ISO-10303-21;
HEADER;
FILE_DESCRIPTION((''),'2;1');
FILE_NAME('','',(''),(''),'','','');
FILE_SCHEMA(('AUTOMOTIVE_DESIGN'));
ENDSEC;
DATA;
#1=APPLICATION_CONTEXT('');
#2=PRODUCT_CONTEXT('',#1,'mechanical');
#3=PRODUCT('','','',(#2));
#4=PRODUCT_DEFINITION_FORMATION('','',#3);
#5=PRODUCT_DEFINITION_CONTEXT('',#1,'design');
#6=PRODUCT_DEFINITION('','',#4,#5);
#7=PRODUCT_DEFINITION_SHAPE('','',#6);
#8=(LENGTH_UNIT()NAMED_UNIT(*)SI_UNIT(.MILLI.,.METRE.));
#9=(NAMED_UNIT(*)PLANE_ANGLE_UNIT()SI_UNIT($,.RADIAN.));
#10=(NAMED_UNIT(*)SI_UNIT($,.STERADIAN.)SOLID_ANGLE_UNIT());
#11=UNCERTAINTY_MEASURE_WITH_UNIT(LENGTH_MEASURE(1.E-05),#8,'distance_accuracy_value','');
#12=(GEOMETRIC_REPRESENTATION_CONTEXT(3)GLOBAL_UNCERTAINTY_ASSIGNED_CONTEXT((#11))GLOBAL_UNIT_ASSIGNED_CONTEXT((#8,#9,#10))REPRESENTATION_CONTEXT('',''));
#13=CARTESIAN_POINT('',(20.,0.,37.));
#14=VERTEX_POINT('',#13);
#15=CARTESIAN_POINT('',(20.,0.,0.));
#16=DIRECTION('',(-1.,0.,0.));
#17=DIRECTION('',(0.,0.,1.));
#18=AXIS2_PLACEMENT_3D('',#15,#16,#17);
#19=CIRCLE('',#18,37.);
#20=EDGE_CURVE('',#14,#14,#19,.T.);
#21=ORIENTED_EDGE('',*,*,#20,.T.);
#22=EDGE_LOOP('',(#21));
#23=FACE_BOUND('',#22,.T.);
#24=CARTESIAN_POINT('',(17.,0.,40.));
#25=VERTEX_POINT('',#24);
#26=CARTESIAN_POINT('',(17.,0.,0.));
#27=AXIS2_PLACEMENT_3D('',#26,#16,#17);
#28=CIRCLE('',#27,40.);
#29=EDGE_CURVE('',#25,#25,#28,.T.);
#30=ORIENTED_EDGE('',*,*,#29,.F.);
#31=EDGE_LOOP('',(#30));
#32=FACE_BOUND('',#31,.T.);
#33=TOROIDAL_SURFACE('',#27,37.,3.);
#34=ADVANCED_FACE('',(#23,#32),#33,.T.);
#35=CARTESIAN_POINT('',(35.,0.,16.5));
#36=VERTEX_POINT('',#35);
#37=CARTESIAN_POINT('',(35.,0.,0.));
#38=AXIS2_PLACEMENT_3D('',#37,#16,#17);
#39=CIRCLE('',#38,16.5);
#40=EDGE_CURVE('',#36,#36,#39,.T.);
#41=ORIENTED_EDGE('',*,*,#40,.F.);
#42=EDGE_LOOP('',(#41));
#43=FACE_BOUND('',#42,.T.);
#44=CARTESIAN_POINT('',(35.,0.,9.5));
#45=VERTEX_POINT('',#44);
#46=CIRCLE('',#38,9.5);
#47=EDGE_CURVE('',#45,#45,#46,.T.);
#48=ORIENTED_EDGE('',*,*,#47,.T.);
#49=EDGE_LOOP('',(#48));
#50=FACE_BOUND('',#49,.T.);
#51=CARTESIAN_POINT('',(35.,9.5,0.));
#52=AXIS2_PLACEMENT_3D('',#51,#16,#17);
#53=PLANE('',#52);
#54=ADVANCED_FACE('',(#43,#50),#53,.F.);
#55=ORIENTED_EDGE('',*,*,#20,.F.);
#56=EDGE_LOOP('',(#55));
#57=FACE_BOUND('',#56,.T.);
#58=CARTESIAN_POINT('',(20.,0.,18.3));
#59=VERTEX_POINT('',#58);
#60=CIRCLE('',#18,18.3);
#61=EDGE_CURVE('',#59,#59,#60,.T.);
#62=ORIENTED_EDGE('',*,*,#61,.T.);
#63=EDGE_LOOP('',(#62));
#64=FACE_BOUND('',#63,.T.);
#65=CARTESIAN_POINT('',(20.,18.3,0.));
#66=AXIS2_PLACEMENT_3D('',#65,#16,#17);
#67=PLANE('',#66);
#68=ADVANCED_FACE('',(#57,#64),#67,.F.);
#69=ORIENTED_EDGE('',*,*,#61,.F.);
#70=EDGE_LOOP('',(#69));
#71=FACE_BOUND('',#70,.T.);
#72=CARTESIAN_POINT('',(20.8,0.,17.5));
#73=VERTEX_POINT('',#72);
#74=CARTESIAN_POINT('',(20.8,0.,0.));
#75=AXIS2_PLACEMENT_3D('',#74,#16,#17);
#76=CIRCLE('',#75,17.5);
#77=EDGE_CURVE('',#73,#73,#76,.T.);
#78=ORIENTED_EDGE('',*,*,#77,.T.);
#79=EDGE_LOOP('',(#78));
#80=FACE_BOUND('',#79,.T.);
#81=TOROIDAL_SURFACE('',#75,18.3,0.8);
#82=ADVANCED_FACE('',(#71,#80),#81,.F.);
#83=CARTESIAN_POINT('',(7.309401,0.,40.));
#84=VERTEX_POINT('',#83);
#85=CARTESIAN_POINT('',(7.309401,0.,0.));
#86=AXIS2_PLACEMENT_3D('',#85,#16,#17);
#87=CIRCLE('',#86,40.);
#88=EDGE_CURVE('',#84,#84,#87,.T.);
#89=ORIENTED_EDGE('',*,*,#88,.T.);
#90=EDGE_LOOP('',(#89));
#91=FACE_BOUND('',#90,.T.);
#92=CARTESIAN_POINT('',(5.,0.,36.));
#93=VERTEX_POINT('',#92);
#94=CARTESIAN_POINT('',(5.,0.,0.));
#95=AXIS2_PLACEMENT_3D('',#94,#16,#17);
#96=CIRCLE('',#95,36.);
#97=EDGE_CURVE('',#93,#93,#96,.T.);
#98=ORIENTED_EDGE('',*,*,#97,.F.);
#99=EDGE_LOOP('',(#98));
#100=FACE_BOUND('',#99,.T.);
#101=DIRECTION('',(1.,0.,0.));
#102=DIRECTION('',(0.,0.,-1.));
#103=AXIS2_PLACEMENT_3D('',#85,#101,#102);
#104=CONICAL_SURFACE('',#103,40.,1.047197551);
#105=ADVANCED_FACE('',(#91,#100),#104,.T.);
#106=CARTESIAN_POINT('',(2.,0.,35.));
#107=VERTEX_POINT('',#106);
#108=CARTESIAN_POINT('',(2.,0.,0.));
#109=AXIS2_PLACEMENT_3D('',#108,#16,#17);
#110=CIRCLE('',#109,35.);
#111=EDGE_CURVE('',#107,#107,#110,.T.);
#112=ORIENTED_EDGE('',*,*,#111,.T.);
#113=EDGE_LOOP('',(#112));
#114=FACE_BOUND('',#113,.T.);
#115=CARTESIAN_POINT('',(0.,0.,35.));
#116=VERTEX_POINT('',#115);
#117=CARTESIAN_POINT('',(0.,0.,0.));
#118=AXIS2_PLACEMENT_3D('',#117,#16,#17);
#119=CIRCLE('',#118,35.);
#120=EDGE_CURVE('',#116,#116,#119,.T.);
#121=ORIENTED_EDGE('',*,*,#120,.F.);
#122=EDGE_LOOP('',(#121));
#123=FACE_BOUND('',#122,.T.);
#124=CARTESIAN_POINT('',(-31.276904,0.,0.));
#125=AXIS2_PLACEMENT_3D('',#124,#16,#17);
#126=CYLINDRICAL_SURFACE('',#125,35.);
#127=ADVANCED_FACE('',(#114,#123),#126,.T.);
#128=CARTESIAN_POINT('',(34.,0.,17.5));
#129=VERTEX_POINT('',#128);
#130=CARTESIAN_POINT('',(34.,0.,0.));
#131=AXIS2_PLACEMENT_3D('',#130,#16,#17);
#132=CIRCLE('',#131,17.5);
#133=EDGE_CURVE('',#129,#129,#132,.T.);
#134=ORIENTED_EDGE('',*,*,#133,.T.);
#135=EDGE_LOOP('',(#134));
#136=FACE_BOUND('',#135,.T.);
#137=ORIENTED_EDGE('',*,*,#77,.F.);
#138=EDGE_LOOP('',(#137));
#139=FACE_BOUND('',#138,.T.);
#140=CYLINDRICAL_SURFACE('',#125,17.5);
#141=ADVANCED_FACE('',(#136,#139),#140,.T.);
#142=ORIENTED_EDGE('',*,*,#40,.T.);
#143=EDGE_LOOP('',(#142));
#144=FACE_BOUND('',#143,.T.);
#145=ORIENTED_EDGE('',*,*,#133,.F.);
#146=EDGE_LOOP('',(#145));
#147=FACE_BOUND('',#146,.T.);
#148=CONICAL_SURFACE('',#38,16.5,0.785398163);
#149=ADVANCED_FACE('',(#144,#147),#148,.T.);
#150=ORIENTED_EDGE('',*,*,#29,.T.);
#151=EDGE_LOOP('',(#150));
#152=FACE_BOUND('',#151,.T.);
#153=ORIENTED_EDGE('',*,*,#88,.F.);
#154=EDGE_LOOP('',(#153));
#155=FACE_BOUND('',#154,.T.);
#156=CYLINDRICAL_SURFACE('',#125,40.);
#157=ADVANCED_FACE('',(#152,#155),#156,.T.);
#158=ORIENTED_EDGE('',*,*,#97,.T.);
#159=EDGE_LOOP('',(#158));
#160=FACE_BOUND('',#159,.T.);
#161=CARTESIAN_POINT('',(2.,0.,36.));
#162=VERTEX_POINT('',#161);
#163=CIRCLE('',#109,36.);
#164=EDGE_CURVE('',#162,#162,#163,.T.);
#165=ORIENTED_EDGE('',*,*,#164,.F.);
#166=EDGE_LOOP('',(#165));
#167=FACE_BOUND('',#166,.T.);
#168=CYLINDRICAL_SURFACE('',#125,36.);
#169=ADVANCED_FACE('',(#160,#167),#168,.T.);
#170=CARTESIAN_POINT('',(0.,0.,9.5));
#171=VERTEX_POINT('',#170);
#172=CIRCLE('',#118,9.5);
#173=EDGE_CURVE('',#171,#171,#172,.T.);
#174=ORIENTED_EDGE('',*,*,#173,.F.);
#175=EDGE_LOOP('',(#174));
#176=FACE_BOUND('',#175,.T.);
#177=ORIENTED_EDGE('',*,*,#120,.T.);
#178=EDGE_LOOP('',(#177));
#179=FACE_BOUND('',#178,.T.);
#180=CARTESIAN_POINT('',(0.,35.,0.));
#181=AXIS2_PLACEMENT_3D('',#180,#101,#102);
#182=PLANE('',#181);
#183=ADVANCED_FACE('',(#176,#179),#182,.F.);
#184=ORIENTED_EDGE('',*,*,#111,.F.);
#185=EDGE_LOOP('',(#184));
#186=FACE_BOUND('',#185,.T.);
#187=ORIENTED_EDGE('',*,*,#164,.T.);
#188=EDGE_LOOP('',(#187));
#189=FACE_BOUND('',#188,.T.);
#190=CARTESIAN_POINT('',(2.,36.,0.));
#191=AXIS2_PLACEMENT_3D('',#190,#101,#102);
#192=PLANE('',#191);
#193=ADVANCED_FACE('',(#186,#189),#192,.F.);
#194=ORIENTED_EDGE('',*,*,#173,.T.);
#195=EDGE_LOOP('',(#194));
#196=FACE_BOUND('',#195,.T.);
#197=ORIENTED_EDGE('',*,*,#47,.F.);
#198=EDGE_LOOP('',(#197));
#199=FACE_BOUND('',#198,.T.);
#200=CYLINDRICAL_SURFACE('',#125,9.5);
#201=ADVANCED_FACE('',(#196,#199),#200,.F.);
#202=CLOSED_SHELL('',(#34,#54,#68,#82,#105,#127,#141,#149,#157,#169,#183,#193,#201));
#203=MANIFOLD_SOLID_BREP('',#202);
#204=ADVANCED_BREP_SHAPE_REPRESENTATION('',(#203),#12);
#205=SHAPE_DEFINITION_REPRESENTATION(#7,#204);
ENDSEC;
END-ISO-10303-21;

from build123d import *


with BuildPart() as part:
    # Sketch1 → Base-Revolve (revolve)
    with BuildSketch(Plane.XY):
        with BuildLine():
            Line((0, 9.5), (35, 9.5))
            Line((35, 9.5), (35, 16.5))
            Line((35, 16.5), (34, 17.5))
            Line((34, 17.5), (20.8, 17.5))
            ThreePointArc((20.8, 17.5), (20.234314575, 17.734314575), (20, 18.3))
            Line((20, 18.3), (20, 37))
            ThreePointArc((20, 37), (19.121320344, 39.121320344), (17, 40))
            Line((17, 40), (7.309401077, 40))
            Line((7.309401077, 40), (5, 36))
            Line((5, 36), (2, 36))
            Line((2, 36), (2, 35))
            Line((2, 35), (0, 35))
            Line((0, 35), (0, 9.5))
        make_face()
    revolve(axis=Axis((-31.276903974, 0, 0), (1, 0, 0)))


solid = part.part
